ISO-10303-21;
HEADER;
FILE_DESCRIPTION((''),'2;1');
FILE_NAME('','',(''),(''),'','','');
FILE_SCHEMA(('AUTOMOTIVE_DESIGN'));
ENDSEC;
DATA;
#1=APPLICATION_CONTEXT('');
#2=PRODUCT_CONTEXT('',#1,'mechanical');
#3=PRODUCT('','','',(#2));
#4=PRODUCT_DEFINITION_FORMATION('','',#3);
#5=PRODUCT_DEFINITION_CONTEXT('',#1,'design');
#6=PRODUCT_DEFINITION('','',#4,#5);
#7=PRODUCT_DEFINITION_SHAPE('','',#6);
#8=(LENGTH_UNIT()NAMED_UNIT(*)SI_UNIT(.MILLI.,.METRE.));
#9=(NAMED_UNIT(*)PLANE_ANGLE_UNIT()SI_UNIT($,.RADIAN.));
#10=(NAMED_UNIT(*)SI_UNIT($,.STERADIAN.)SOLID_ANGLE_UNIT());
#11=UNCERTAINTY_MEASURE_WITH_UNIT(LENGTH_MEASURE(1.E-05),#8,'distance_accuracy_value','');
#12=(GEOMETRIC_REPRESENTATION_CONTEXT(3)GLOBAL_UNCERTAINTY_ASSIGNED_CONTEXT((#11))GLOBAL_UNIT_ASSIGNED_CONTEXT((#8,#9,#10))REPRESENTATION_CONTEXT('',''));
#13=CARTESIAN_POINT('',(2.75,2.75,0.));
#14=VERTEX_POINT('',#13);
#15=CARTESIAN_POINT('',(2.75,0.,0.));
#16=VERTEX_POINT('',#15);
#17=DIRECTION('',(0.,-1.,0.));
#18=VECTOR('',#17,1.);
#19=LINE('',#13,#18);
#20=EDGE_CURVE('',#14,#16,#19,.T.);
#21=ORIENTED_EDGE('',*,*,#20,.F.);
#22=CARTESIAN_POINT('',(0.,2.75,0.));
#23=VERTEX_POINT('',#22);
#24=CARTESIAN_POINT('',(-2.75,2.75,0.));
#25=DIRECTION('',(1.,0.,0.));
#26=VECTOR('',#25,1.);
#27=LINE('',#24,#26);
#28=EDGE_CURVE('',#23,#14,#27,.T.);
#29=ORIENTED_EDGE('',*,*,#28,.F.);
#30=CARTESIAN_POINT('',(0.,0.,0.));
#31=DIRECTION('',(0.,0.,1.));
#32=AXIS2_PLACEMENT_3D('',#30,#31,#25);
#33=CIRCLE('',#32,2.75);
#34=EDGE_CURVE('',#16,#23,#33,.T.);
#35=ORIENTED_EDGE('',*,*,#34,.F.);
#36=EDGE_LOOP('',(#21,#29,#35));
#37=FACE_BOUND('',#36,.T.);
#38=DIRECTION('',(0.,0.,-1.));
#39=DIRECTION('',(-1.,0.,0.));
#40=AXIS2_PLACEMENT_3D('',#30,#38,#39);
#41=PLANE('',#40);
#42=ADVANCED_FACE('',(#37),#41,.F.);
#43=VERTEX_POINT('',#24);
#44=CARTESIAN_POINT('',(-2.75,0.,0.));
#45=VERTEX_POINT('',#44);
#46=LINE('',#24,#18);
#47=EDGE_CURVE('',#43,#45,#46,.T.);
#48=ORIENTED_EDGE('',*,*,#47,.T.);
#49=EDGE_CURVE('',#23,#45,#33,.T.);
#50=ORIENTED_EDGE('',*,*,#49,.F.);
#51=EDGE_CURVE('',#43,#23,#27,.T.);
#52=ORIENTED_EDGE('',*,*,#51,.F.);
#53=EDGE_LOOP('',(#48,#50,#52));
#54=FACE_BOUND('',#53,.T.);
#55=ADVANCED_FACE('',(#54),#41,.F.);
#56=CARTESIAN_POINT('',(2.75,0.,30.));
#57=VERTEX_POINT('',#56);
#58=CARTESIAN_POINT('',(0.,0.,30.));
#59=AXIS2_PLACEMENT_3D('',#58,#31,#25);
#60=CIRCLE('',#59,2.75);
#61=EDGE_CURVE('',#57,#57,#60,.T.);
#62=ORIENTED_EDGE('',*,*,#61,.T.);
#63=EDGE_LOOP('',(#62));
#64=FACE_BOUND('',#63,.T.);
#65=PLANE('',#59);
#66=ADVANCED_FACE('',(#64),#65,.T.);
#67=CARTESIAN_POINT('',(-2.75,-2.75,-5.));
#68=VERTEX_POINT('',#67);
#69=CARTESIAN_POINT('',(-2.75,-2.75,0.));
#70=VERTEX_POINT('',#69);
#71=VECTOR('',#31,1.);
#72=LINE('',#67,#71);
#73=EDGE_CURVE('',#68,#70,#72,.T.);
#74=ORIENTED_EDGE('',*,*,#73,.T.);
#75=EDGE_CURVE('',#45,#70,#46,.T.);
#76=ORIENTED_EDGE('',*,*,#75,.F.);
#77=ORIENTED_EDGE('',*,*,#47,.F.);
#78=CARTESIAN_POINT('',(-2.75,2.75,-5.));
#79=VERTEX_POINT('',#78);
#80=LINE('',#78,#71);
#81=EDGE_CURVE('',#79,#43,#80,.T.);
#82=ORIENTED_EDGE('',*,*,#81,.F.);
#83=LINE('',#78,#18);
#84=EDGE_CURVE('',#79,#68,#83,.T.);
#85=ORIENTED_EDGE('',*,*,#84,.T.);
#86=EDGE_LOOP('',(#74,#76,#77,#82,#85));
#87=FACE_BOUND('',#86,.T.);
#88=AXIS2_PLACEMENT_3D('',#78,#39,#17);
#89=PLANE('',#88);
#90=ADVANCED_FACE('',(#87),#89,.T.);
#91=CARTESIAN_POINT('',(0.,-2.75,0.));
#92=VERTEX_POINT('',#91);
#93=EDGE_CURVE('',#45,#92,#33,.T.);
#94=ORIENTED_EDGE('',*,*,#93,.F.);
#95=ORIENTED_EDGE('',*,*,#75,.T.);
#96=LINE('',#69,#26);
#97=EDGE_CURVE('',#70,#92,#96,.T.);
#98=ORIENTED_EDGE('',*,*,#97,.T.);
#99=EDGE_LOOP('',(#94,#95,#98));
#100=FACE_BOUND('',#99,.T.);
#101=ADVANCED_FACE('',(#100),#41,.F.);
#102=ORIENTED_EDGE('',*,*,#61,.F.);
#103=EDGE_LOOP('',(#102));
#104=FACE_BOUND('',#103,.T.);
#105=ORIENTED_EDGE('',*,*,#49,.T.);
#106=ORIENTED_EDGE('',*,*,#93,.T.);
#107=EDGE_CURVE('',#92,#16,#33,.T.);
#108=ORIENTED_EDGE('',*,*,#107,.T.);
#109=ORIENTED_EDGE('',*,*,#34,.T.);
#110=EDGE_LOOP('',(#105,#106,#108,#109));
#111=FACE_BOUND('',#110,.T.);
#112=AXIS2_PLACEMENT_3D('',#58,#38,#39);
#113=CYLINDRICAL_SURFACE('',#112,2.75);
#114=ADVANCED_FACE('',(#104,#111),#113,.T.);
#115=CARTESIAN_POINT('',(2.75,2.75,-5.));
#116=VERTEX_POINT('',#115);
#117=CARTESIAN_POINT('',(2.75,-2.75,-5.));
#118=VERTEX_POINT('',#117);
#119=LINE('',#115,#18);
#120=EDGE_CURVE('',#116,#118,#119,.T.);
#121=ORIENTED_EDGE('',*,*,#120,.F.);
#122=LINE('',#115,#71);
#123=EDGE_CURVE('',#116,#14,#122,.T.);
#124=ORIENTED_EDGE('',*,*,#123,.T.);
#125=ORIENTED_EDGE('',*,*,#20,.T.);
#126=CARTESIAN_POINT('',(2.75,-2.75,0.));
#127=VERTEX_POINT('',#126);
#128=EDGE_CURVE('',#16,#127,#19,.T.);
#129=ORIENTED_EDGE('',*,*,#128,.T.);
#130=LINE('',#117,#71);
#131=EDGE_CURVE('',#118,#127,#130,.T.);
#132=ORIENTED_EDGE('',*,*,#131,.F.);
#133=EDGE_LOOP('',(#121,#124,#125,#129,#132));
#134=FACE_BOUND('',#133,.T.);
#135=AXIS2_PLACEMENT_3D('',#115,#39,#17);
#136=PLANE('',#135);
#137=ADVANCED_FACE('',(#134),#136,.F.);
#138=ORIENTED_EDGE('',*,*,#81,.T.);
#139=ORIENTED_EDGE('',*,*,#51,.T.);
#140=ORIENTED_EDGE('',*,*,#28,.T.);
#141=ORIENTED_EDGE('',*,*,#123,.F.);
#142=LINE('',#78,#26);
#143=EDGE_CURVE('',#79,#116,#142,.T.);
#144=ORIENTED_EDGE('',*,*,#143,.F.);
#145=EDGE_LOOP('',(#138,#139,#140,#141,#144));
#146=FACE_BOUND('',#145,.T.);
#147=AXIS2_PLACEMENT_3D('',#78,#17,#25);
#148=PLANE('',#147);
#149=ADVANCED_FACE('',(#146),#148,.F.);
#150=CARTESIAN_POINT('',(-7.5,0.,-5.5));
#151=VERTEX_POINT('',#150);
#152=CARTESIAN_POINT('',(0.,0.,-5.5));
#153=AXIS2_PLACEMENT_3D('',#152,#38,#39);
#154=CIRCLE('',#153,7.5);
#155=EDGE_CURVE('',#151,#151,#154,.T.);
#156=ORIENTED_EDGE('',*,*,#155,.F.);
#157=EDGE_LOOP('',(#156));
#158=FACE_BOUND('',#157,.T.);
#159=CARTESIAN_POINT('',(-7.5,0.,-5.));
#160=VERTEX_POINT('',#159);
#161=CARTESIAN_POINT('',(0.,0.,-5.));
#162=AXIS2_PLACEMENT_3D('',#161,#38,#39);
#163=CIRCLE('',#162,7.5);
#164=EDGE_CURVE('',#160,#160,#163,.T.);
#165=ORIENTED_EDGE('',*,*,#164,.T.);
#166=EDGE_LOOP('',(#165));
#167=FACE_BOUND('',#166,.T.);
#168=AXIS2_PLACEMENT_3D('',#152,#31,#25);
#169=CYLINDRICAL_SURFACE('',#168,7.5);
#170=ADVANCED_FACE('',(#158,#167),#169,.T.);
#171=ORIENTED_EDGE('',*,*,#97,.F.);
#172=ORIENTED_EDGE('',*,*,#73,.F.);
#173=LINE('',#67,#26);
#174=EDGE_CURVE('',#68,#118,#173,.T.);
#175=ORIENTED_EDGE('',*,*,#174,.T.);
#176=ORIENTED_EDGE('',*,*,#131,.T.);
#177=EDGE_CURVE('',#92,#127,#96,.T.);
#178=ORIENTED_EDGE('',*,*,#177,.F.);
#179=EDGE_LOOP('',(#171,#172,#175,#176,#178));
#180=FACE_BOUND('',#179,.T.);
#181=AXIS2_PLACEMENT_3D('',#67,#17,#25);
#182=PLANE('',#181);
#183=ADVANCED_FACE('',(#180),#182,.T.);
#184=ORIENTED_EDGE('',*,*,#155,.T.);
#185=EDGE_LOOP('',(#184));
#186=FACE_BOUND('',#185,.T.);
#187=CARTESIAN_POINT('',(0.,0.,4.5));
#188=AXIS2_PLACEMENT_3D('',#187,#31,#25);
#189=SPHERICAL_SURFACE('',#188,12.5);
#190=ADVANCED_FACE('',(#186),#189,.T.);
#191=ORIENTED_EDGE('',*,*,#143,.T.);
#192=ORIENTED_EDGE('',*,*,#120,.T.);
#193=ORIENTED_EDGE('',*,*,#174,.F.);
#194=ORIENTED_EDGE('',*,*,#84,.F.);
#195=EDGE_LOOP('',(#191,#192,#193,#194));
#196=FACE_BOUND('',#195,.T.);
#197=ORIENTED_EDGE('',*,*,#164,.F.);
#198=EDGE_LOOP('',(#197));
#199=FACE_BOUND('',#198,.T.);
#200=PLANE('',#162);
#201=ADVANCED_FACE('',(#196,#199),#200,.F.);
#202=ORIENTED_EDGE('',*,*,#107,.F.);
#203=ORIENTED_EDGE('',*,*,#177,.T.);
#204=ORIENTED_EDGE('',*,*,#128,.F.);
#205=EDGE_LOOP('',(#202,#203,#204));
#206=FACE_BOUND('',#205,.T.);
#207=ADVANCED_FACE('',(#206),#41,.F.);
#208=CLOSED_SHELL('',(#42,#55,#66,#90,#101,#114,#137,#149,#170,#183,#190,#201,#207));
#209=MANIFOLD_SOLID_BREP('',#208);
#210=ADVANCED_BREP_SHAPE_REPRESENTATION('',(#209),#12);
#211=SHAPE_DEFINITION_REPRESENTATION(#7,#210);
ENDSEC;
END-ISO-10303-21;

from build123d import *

# Parameters (mm, degrees)
ESQUISSE1_R        = 2.75
BOSS_EXTRU_1_DEPTH = 30
ESQUISSE2_W        = 5.5
ESQUISSE2_H        = 5.5
BOSS_EXTRU_2_DEPTH = 5
ESQUISSE3_R        = 7.5
BOSS_EXTRU_3_DEPTH = 0.5
D_ME1_FACE_RADIUS  = 7.5
D_ME1_HEIGHT       = 2.5


with BuildPart() as part:
    # Esquisse1 → Boss.-Extru.1 (new body)
    with BuildSketch(Plane.XY):
        Circle(ESQUISSE1_R)
    extrude(amount=BOSS_EXTRU_1_DEPTH)

    # Esquisse2 → Boss.-Extru.2 (add)
    with BuildSketch(Plane(origin=(0, 0, 0), x_dir=(-1, 0, 0), z_dir=(0, 0, -1))):
        Rectangle(ESQUISSE2_W, ESQUISSE2_H)
    extrude(amount=BOSS_EXTRU_2_DEPTH)

    # Esquisse3 → Boss.-Extru.3 (add)
    with BuildSketch(Plane(origin=(0, 0, -5), x_dir=(-1, 0, 0), z_dir=(0, 0, -1))):
        Circle(ESQUISSE3_R)
    extrude(amount=BOSS_EXTRU_3_DEPTH)

    # Dôme1: a dome of height H over a round flat face of radius A is a cap of a sphere of radius (A * A + H * H) / (2 * H)
    d_me1_r = (D_ME1_FACE_RADIUS * D_ME1_FACE_RADIUS + D_ME1_HEIGHT * D_ME1_HEIGHT) / (2 * D_ME1_HEIGHT)
    d_me1_base = Plane((0, 0, -5.5), z_dir=(0, 0, -1))
    with Locations(d_me1_base.offset(D_ME1_HEIGHT - d_me1_r)):
        d_me1_ball = Sphere(d_me1_r, mode=Mode.PRIVATE)
    add(split(d_me1_ball, bisect_by=d_me1_base, keep=Keep.TOP, mode=Mode.PRIVATE))


solid = part.part
